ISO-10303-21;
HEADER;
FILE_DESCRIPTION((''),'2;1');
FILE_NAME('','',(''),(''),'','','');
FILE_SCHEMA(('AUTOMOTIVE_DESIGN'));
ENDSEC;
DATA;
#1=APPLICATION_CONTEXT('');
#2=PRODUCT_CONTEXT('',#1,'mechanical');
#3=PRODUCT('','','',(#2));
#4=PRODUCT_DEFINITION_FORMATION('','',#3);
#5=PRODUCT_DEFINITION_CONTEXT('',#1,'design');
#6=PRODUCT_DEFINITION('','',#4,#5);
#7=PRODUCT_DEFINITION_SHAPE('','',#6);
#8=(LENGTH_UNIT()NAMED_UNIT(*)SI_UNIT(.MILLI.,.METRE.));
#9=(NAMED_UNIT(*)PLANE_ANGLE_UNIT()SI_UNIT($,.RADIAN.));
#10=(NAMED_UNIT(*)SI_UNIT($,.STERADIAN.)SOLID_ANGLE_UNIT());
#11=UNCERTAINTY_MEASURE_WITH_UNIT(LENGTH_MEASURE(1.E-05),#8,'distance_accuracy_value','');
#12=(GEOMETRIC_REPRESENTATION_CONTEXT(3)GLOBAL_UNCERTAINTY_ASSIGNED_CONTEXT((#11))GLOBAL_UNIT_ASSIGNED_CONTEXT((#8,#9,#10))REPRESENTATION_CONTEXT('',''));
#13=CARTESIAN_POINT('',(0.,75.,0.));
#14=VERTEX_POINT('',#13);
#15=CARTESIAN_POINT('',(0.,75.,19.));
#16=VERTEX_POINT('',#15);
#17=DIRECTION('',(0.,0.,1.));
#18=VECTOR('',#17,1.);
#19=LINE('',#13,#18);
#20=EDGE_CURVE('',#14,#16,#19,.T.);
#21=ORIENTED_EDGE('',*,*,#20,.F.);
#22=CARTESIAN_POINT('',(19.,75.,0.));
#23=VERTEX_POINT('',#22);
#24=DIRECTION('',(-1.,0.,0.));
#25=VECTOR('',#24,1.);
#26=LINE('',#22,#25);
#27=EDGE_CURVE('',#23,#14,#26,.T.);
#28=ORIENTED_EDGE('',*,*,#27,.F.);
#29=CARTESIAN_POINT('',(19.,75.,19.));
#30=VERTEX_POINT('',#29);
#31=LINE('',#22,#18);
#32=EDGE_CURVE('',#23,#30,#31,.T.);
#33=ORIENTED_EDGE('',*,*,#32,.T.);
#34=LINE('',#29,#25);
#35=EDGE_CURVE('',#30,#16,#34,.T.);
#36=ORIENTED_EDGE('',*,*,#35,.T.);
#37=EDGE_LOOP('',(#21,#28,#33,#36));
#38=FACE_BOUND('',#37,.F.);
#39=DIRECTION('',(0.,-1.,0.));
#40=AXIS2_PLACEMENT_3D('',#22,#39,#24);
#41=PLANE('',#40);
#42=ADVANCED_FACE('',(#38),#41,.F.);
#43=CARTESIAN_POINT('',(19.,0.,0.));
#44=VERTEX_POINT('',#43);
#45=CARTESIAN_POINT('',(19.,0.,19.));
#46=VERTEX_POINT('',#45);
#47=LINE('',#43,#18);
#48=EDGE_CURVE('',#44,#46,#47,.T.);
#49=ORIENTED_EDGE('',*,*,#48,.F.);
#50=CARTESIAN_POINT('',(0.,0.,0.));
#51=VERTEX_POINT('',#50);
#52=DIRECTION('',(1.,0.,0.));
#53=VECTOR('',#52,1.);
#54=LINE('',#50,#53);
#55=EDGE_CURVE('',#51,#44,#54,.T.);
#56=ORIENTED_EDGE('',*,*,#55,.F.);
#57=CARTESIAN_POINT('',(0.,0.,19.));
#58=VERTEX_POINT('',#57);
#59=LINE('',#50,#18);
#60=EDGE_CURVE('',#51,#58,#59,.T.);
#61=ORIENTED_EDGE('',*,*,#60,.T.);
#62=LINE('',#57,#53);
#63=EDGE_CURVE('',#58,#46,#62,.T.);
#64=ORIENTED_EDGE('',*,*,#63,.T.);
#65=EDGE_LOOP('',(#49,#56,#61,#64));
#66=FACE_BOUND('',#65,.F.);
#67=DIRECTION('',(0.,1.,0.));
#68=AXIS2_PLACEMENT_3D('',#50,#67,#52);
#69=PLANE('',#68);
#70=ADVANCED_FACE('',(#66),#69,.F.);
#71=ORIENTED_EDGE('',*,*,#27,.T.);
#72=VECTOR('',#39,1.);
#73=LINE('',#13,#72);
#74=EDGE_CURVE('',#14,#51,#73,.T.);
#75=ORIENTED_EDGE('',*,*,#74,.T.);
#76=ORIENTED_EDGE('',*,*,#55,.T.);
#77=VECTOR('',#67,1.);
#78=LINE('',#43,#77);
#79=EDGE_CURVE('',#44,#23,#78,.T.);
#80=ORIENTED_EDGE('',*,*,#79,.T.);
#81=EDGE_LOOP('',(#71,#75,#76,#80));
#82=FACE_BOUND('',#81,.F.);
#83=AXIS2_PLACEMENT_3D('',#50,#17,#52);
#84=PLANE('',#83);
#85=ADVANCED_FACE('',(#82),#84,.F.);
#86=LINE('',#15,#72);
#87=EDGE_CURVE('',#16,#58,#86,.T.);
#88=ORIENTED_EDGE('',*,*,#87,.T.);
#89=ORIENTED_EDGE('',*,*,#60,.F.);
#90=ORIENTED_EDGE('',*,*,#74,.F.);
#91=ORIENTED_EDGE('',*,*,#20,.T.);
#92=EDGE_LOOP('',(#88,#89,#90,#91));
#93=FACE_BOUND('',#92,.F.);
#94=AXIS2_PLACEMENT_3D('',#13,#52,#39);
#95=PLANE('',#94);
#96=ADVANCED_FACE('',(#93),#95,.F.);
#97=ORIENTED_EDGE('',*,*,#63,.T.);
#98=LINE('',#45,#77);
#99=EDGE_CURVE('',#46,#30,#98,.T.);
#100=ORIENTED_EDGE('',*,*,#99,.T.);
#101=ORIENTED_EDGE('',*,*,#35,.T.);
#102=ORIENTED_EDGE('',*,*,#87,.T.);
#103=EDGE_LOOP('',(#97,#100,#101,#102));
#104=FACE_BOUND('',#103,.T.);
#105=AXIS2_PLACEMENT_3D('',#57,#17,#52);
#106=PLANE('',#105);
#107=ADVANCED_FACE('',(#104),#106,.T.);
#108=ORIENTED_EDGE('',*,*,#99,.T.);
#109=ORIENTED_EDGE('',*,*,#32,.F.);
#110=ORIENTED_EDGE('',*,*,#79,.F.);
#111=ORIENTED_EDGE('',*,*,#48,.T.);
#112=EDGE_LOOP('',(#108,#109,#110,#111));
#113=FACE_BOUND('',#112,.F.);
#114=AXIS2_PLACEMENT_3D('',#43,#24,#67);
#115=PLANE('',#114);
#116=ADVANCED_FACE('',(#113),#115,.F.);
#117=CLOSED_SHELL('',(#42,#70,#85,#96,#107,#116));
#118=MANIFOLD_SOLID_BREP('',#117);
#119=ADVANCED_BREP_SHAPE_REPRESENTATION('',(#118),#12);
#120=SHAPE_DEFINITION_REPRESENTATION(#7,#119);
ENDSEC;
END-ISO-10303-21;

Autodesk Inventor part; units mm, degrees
ref_plane "YZ Plane" through (0, 0, 0) normal (1, 0, 0) x (0, 1, 0)
ref_plane "XZ Plane" through (0, 0, 0) normal (0, 1, 0) x (-1, 0, 0)
ref_plane "XY Plane" through (0, 0, 0) normal (0, 0, 1) x (1, 0, 0)
sketch "Sketch2" plane through (0, 0, 0) normal (0, 0, 1) x (1, 0, 0)
  line L0 (0, 0) -> (19, 0)
  line L1 (19, 0) -> (19, 75)
  line L2 (19, 75) -> (0, 75)
  line L3 (0, 75) -> (0, 0)
  dimension "d9" = 19
  dimension "d10" = 75
extrude "Extrusion1" add sketch "Sketch2" along normal blind 19
properties part number "C009" material "Wood (Birch)"
